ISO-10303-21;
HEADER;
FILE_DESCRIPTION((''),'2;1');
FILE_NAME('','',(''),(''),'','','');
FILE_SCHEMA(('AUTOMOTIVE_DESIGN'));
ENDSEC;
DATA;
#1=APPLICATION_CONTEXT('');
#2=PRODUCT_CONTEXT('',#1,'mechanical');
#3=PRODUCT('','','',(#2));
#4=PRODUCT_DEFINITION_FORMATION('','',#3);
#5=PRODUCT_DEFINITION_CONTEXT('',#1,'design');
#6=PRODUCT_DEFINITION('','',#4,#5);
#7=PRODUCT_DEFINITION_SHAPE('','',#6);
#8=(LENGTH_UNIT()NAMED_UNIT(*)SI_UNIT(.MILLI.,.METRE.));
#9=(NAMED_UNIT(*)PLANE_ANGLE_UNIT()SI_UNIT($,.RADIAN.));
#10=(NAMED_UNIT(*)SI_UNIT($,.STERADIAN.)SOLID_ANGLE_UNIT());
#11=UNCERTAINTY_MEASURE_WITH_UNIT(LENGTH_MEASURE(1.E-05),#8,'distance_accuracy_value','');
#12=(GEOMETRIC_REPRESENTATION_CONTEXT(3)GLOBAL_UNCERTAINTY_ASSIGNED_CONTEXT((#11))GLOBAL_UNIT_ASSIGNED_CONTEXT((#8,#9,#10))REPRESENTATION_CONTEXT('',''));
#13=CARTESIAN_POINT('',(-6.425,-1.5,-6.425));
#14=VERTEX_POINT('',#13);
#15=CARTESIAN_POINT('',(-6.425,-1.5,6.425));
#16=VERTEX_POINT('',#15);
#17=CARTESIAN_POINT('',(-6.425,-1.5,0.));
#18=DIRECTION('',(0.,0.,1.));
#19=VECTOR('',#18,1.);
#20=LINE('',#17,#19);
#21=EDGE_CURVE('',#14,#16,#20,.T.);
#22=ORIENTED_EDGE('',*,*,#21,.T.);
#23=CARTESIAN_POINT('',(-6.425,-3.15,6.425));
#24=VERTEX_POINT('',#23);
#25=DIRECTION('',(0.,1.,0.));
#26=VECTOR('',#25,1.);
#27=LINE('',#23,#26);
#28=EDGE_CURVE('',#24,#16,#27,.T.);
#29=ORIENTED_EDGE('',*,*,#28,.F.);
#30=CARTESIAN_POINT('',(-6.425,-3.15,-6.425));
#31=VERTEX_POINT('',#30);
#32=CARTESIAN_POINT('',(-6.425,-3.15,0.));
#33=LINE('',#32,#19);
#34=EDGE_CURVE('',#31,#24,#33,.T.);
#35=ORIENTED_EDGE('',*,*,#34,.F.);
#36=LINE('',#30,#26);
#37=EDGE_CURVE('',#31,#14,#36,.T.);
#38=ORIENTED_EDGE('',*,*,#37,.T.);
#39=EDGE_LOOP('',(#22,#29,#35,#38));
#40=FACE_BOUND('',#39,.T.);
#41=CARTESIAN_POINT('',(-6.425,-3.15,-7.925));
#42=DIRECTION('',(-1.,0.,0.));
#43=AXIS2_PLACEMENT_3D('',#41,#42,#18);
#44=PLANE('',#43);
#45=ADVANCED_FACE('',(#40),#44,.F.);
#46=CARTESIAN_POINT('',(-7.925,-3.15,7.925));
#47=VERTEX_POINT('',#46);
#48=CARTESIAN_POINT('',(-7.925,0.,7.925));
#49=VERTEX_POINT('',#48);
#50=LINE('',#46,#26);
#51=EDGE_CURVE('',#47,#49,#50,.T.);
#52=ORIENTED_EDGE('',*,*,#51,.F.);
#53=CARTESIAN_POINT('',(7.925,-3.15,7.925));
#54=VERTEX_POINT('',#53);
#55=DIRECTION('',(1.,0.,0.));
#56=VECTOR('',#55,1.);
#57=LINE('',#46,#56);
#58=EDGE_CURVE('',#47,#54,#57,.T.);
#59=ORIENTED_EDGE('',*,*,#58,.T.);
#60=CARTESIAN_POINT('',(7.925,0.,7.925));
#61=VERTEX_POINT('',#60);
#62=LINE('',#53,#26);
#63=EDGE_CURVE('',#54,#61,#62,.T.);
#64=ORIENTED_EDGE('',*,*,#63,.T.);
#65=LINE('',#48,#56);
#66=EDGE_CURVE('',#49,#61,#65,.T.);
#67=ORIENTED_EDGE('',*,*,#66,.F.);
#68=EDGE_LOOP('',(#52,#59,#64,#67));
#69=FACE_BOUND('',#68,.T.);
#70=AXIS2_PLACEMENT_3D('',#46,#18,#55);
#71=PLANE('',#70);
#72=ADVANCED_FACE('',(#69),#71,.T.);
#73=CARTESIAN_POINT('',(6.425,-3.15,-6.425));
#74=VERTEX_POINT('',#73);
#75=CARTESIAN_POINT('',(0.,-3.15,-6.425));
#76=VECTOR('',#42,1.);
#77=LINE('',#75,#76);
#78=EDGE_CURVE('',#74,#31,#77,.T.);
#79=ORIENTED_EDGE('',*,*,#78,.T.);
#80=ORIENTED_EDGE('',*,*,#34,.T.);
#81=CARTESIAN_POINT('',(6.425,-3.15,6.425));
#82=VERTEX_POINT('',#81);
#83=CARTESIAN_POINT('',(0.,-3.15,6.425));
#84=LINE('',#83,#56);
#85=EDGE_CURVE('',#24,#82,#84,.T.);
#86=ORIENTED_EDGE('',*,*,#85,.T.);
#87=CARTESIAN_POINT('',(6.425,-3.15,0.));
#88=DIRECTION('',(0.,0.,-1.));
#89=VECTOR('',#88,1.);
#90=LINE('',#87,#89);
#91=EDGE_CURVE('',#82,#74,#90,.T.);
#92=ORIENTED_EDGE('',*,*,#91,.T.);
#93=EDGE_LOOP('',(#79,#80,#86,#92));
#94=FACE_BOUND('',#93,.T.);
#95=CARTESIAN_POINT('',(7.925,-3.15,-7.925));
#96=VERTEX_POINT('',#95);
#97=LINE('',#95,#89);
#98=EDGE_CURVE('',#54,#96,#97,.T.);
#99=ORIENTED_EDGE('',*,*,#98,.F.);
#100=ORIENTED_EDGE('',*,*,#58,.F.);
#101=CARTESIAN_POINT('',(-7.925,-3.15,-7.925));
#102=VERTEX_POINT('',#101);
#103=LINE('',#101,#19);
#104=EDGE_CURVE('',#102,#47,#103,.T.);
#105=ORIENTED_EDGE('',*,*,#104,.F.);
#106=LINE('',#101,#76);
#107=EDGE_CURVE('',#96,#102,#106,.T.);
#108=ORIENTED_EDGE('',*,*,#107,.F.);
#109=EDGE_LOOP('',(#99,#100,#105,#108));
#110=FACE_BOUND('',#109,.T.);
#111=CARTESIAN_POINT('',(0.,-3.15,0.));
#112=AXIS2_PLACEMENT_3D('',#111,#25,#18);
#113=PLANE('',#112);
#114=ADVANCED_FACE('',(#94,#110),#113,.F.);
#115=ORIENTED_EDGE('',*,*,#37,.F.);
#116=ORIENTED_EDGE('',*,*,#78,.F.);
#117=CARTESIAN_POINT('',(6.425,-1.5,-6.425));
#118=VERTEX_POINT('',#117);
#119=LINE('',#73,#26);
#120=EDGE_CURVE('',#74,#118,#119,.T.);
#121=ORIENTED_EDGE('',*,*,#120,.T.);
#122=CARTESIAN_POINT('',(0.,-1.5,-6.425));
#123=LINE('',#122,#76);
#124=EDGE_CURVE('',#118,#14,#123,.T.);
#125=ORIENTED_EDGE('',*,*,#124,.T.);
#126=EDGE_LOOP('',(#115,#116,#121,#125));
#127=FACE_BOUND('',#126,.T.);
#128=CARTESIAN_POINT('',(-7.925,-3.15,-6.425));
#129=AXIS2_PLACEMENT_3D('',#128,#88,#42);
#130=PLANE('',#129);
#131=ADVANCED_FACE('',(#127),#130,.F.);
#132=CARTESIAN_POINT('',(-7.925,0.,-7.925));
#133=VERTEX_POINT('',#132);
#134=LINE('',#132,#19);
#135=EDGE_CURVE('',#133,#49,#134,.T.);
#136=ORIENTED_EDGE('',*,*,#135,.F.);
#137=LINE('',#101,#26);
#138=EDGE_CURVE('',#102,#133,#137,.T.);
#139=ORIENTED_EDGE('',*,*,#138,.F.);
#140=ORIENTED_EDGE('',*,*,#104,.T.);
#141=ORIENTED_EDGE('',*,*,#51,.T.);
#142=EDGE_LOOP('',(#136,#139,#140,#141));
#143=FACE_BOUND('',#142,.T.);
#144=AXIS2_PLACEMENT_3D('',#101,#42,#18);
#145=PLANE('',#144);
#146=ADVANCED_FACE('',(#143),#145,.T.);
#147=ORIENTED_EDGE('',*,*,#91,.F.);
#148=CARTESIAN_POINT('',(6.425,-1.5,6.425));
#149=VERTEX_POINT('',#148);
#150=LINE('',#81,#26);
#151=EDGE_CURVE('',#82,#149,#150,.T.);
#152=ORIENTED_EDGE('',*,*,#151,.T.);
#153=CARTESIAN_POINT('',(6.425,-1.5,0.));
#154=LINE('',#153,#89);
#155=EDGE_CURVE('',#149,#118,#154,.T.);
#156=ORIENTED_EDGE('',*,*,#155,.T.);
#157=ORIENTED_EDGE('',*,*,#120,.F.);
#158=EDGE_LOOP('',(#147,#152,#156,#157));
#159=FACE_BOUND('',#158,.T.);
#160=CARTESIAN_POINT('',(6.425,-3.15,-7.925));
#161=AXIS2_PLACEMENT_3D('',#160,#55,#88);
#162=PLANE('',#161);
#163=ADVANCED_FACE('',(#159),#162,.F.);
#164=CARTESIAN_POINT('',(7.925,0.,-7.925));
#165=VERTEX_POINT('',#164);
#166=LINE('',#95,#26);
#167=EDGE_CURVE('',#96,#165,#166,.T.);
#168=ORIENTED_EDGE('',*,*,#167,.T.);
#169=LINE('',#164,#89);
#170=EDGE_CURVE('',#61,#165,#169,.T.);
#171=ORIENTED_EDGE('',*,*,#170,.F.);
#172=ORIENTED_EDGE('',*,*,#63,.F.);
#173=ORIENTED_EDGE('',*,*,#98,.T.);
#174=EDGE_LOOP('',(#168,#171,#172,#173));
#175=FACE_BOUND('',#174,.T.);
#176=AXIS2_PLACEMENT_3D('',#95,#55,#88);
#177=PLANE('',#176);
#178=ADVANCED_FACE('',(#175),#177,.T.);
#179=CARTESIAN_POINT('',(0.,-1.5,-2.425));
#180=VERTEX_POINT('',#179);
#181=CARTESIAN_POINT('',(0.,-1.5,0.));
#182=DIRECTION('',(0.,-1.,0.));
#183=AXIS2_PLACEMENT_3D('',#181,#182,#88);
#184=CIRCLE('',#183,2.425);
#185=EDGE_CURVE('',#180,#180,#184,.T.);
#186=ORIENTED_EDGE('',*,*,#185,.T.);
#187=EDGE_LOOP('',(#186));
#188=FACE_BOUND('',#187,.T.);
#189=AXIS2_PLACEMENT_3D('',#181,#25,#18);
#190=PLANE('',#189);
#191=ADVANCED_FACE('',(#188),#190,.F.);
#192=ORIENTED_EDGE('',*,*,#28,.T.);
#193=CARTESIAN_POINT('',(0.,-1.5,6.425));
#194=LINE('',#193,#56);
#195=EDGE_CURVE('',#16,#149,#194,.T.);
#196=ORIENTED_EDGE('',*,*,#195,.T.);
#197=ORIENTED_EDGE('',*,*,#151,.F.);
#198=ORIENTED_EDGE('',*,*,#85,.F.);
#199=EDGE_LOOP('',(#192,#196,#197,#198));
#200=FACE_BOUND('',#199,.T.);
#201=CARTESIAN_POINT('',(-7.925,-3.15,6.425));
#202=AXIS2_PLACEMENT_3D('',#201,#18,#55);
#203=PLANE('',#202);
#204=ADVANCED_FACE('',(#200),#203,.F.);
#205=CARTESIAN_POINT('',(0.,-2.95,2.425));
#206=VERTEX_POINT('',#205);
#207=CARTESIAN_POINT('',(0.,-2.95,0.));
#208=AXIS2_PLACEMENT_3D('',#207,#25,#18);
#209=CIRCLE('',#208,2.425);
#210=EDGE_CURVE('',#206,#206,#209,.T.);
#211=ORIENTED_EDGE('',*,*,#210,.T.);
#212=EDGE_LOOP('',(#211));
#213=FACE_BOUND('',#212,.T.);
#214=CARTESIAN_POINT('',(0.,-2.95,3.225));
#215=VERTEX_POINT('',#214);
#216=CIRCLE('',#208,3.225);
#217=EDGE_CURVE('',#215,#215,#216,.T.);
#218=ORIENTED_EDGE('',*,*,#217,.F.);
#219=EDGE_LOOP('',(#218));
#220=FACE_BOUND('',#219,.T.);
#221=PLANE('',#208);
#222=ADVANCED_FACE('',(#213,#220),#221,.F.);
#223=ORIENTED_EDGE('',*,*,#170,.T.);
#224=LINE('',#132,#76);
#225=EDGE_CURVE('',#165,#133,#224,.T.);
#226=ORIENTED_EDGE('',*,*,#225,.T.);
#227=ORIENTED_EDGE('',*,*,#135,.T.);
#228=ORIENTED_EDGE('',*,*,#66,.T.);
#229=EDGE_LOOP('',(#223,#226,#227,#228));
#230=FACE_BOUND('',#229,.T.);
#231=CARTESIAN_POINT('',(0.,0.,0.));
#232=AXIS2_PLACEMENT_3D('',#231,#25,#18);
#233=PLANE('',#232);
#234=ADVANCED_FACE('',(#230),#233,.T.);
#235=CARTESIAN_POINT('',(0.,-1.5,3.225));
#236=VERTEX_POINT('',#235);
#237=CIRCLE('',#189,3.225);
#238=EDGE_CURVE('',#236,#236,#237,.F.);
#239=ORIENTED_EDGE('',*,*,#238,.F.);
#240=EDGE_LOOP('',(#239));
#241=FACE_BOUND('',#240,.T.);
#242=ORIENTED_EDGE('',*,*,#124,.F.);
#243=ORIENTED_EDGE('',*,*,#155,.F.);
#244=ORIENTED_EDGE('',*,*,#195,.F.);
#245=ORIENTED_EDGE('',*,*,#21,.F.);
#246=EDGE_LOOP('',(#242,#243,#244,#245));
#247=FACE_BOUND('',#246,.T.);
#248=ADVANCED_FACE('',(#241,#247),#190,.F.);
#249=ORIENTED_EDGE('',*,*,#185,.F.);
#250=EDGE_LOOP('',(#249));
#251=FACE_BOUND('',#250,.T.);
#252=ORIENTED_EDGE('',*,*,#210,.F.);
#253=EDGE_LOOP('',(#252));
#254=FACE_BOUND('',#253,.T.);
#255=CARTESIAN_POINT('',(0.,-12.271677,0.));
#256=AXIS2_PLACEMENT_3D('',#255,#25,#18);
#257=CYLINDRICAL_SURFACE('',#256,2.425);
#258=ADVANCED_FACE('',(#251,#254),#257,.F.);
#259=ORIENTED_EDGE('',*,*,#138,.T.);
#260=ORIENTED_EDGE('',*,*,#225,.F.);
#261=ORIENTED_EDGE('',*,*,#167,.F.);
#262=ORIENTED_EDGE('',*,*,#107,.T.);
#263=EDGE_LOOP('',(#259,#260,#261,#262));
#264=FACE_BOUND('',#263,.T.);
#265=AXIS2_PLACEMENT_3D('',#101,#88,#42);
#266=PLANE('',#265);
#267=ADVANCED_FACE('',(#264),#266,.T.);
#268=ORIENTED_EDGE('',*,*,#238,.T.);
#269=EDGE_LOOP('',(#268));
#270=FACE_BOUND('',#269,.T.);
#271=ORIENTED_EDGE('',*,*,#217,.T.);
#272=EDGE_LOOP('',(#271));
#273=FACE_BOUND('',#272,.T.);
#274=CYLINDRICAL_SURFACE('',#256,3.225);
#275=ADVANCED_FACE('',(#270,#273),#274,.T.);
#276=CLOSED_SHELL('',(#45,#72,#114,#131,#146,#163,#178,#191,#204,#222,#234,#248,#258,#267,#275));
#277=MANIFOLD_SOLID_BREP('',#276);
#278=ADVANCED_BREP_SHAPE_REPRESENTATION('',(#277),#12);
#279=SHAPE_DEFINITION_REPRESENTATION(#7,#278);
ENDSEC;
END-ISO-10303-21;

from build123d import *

# Parameters (mm, degrees)
SKETCH1_W           = 15.85
SKETCH1_H           = 15.85
BOSS_EXTRUDE1_DEPTH = 3.15
SHELL1_T            = -1.5
SKETCH2_R           = 3.225
SKETCH2_R_2         = 2.425
BOSS_EXTRUDE2_DEPTH = 1.45


with BuildPart() as part:
    # Sketch1 → Boss-Extrude1 (new body)
    with BuildSketch(Plane(origin=(0, 0, 0), x_dir=(1, 0, 0), z_dir=(0, 1, 0))):
        Rectangle(SKETCH1_W, SKETCH1_H)
    extrude(amount=-BOSS_EXTRUDE1_DEPTH)

    # Shell1
    shell1_openings = [part.faces().sort_by_distance(p)[0] for p in [
        (0, -3.15, 0),
    ]]
    offset(amount=SHELL1_T, openings=shell1_openings, kind=Kind.INTERSECTION)

    # Sketch2 → Boss-Extrude2 (add)
    with BuildSketch(Plane.XZ.offset(1.5)):
        with Locations(Location((0, 0, 0), (0, 0, 90))):
            Circle(SKETCH2_R)
        with Locations(Location((0, 0, 0), (0, 0, 90))):
            Circle(SKETCH2_R_2, mode=Mode.SUBTRACT)
    extrude(amount=BOSS_EXTRUDE2_DEPTH)


solid = part.part
